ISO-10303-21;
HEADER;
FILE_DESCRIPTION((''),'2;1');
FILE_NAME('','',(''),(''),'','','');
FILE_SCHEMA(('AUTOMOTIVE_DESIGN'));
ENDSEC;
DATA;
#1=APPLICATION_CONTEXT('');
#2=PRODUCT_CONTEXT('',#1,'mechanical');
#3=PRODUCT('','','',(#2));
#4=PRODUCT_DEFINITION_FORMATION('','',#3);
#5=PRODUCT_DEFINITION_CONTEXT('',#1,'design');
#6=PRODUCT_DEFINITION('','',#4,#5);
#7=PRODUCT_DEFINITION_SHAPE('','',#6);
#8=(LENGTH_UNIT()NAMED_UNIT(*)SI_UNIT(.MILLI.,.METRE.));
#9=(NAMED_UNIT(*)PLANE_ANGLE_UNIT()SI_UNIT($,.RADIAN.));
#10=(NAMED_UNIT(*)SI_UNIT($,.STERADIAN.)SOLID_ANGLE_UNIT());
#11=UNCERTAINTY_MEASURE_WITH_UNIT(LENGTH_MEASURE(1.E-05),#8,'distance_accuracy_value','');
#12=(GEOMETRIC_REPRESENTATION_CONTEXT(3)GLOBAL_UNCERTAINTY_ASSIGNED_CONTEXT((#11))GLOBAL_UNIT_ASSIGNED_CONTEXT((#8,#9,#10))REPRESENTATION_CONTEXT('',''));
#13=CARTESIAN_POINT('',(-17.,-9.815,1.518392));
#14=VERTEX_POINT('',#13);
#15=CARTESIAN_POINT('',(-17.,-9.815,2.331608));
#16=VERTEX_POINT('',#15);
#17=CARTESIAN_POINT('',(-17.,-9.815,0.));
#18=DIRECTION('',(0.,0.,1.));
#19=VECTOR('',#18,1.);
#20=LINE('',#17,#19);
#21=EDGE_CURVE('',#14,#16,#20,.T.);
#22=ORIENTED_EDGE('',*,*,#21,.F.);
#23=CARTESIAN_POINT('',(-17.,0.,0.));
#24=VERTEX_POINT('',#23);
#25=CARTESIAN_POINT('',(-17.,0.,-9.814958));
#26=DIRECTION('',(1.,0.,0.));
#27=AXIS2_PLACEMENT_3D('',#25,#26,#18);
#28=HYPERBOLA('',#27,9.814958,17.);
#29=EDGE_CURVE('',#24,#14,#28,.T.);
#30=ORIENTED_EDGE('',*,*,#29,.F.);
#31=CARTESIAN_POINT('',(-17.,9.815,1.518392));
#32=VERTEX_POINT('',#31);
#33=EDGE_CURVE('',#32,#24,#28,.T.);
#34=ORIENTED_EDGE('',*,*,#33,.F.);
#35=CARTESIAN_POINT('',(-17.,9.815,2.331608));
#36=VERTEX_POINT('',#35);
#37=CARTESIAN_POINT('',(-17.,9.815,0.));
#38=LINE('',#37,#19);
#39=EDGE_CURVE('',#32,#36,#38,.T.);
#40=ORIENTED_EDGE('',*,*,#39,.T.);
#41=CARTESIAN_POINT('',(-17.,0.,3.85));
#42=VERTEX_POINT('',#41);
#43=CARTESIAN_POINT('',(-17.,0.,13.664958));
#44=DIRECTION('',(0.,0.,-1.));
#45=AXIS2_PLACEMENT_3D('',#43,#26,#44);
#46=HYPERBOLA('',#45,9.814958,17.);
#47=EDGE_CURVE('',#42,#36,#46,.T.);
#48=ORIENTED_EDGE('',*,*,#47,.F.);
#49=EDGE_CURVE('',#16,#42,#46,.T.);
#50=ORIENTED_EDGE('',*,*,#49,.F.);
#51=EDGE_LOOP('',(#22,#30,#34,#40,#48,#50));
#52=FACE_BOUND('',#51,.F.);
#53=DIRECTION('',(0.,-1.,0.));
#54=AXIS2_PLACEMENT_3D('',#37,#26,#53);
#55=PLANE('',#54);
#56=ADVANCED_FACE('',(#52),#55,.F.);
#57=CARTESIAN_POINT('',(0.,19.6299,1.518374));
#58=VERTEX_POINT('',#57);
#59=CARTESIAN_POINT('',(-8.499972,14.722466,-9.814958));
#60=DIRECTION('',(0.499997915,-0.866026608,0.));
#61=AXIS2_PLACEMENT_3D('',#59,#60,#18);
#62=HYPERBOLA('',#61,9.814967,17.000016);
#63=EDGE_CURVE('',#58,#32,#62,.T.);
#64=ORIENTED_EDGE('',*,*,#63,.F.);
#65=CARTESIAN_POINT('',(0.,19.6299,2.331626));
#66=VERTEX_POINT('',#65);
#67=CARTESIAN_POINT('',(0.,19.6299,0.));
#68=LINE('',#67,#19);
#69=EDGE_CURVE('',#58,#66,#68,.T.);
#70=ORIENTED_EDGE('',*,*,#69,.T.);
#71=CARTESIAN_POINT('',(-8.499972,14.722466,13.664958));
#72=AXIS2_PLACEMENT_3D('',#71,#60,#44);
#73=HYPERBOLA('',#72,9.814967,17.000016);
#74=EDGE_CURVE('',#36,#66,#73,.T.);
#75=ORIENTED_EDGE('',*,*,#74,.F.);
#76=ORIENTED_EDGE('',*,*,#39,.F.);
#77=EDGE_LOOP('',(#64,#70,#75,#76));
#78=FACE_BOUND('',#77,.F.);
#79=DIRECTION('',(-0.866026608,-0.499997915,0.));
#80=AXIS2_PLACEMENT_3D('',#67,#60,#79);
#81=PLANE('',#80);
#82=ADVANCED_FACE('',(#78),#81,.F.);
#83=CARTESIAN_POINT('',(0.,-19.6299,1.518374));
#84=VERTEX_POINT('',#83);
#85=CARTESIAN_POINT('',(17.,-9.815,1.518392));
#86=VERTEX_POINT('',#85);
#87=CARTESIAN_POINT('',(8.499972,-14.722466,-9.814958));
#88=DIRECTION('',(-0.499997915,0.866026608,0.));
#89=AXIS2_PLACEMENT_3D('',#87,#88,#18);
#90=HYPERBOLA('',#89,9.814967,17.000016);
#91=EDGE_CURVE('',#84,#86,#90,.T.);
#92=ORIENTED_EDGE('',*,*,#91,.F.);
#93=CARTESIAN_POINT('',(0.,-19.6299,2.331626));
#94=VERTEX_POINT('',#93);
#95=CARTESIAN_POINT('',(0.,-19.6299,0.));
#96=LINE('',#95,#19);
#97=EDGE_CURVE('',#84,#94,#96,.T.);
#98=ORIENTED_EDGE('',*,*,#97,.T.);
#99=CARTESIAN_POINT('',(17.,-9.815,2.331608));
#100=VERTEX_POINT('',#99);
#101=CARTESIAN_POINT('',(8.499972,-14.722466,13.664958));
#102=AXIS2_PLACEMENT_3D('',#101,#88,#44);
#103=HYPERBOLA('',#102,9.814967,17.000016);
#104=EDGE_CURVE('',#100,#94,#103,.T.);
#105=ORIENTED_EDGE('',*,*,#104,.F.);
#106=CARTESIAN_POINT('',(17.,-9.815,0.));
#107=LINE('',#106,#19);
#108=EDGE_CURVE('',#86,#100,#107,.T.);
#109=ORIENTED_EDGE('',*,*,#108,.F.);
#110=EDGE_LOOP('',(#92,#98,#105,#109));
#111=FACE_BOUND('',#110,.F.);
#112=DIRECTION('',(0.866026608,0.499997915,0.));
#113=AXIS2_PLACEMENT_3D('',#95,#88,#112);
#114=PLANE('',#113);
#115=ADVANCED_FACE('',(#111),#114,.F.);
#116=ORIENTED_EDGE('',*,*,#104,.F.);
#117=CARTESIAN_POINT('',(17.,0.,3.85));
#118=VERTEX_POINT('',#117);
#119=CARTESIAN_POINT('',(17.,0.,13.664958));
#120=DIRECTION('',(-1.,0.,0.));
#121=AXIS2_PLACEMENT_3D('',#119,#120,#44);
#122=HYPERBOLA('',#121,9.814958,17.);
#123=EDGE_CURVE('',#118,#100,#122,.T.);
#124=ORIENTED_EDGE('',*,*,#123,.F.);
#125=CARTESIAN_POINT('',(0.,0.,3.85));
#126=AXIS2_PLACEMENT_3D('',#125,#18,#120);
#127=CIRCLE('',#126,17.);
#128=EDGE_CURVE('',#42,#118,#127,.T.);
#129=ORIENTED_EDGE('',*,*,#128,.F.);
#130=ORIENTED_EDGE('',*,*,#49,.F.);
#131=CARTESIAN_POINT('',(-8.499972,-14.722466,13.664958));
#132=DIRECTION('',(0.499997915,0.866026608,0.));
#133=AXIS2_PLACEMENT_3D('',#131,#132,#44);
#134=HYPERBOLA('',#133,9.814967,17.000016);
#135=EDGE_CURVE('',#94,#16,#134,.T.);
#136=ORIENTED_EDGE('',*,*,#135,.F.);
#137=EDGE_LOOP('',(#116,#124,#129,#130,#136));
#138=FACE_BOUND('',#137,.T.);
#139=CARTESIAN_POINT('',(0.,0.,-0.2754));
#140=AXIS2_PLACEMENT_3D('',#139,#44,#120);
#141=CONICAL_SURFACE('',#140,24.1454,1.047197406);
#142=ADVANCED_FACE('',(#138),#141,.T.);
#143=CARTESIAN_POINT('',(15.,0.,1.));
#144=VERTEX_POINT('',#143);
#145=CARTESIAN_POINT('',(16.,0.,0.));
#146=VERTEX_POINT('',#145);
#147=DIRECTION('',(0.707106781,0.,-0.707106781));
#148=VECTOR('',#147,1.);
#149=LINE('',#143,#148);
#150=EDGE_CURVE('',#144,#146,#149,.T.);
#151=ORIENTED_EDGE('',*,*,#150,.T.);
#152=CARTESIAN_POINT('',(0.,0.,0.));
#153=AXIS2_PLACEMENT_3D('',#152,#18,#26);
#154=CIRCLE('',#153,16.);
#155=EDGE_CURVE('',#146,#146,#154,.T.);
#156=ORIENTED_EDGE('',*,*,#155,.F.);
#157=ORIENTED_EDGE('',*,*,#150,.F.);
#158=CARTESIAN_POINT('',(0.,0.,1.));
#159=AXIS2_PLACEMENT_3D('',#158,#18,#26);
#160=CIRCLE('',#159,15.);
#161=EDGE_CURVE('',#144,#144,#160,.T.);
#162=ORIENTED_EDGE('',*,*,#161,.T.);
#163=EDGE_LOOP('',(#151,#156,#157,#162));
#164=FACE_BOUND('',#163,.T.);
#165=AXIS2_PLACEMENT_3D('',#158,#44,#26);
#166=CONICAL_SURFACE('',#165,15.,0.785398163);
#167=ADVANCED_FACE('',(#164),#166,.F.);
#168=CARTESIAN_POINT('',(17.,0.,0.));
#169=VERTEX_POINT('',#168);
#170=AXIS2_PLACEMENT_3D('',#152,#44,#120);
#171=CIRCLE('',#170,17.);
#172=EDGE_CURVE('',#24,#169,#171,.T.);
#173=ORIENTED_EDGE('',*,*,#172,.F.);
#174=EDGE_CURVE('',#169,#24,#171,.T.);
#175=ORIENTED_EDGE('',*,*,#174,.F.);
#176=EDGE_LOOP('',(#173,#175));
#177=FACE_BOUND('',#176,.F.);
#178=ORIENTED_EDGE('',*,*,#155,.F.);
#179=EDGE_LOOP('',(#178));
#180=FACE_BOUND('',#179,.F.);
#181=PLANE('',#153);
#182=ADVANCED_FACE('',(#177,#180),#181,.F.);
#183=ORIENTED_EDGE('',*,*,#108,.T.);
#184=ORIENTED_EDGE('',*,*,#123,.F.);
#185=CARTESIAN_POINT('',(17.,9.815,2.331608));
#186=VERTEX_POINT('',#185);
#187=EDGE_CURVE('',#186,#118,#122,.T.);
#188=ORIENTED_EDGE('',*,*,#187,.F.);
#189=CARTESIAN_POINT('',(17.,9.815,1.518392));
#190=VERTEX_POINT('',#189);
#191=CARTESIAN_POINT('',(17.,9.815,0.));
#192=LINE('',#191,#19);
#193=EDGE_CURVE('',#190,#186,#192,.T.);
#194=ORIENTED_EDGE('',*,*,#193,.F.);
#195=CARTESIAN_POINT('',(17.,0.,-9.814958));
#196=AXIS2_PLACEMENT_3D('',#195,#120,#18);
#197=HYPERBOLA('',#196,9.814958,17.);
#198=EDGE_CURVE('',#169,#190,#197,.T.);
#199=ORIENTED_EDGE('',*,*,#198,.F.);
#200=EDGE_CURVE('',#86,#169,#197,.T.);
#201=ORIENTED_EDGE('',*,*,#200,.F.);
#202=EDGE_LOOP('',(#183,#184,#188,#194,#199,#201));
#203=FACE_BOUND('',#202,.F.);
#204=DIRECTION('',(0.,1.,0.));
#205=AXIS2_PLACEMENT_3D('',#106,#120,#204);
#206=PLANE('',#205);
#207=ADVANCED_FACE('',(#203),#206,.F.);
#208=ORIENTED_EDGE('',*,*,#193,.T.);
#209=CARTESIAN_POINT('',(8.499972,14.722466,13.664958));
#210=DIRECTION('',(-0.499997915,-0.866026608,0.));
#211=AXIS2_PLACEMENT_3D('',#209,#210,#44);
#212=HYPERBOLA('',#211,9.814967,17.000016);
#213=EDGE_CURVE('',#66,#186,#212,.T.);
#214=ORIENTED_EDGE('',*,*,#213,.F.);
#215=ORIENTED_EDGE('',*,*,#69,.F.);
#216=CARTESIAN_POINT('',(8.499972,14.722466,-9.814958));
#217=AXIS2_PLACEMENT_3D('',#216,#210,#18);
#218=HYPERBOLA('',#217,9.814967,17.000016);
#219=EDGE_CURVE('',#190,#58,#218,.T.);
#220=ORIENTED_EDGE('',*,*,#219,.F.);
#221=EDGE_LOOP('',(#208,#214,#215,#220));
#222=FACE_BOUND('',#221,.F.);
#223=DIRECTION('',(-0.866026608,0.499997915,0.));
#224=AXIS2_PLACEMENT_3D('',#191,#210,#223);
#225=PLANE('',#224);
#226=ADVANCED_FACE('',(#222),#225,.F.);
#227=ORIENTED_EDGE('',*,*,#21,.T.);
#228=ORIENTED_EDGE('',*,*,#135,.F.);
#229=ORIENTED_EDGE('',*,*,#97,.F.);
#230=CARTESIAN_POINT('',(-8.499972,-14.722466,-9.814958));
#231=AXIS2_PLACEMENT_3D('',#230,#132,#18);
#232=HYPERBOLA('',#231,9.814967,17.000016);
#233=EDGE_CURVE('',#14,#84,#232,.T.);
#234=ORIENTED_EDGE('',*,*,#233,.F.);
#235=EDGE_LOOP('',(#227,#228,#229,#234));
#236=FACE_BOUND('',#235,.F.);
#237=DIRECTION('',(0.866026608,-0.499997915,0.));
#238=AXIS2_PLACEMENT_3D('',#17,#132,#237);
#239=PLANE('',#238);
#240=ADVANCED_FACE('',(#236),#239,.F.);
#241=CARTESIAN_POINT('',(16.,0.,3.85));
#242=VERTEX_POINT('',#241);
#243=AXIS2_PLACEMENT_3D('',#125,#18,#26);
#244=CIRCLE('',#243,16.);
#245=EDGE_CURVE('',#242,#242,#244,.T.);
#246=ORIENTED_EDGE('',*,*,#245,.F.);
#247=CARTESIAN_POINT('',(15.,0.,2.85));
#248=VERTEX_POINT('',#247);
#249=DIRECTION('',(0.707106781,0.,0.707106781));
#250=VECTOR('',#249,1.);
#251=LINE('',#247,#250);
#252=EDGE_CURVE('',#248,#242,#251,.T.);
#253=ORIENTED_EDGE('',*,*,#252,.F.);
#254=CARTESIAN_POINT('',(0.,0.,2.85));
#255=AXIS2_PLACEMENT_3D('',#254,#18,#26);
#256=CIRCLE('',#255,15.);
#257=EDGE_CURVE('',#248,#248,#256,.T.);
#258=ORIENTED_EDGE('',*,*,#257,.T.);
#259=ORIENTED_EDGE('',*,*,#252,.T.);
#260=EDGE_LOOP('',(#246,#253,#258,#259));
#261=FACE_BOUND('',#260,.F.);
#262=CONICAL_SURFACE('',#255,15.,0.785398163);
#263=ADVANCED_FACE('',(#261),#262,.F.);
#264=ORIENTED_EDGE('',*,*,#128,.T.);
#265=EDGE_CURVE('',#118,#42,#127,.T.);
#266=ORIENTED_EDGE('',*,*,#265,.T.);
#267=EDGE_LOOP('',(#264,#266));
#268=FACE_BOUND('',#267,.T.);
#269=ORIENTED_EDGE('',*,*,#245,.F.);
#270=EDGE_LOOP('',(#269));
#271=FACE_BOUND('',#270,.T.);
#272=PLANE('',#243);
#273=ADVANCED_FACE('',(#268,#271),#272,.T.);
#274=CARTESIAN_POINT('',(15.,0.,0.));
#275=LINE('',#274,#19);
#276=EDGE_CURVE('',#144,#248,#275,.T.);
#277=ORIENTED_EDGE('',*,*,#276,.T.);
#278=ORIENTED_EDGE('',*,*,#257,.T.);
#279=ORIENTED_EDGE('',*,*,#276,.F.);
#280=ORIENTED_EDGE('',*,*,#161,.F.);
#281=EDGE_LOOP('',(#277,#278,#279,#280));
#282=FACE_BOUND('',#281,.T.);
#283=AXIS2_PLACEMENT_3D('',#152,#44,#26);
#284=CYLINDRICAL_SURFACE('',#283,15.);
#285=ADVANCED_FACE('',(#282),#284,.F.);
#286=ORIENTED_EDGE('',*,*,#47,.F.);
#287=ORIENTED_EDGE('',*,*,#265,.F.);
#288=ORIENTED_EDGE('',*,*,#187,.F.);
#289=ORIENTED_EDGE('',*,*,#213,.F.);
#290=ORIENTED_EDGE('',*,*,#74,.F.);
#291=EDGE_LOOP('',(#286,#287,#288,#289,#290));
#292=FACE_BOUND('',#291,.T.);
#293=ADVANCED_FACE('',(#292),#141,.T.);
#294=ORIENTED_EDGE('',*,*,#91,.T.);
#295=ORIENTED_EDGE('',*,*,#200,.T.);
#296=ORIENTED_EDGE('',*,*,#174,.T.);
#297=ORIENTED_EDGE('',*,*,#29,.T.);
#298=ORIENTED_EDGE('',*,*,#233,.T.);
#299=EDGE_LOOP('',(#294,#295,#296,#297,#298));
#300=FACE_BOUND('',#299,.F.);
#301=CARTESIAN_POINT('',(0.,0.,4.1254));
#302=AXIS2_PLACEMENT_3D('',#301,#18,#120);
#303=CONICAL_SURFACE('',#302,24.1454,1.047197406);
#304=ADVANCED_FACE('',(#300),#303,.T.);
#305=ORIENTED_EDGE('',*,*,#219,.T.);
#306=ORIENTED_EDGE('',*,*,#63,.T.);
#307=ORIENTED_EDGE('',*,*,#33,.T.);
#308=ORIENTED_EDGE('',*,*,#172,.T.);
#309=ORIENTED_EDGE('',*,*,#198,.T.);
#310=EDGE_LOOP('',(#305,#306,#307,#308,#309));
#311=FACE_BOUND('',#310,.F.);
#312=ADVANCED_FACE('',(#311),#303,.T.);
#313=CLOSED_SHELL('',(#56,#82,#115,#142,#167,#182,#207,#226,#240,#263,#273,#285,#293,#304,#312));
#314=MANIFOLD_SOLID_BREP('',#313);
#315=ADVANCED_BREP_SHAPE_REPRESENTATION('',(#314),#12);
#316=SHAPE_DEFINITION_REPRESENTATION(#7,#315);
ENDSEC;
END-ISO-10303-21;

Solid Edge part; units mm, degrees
sketch "Sketch1" plane through (0, 0, 0) normal (0, 0, 1) x (1, 0, 0)
  line L0 (17, 9.815) -> (0, 19.6299)
  line L1 (0, 19.6299) -> (-17, 9.815)
  line L2 (-17, 9.815) -> (-17, -9.815)
  line L3 (-17, -9.815) -> (0, -19.6299)
  line L4 (0, -19.6299) -> (17, -9.815)
  line L5 (17, -9.815) -> (17, 9.815)
  circle A0 centre (0, 0) radius 15
  dimension "D1" = 34
  dimension "D2" = 30
extrude "Protrusion1" add sketch "Sketch1" along normal blind 3.85
chamfer "Fase_1" distance 1 angle 45 2 edges at (-15, 0, 3.85) (-15, 0, 0)
sketch "Sketch2" plane through (0, 0, 0) normal (0, -1, 0) x (1, 0, 0)
  line L0 (-24.1454, -0.2754) -> (-9.8546, 7.9754)
  line L1 (-9.8546, 7.9754) -> (-24.1454, 7.9754)
  line L2 (-24.1454, 7.9754) -> (-24.1454, -0.2754)
revolve "RevolvedCutout1" cut sketch "Sketch2" angle 360 about axis through (0, 0, 0) along (0, 0, 1)
mirror "Mirror1" about plane through (-17, 9.815, 1.925) normal (0, 0, 1) of "RevolvedCutout1"
